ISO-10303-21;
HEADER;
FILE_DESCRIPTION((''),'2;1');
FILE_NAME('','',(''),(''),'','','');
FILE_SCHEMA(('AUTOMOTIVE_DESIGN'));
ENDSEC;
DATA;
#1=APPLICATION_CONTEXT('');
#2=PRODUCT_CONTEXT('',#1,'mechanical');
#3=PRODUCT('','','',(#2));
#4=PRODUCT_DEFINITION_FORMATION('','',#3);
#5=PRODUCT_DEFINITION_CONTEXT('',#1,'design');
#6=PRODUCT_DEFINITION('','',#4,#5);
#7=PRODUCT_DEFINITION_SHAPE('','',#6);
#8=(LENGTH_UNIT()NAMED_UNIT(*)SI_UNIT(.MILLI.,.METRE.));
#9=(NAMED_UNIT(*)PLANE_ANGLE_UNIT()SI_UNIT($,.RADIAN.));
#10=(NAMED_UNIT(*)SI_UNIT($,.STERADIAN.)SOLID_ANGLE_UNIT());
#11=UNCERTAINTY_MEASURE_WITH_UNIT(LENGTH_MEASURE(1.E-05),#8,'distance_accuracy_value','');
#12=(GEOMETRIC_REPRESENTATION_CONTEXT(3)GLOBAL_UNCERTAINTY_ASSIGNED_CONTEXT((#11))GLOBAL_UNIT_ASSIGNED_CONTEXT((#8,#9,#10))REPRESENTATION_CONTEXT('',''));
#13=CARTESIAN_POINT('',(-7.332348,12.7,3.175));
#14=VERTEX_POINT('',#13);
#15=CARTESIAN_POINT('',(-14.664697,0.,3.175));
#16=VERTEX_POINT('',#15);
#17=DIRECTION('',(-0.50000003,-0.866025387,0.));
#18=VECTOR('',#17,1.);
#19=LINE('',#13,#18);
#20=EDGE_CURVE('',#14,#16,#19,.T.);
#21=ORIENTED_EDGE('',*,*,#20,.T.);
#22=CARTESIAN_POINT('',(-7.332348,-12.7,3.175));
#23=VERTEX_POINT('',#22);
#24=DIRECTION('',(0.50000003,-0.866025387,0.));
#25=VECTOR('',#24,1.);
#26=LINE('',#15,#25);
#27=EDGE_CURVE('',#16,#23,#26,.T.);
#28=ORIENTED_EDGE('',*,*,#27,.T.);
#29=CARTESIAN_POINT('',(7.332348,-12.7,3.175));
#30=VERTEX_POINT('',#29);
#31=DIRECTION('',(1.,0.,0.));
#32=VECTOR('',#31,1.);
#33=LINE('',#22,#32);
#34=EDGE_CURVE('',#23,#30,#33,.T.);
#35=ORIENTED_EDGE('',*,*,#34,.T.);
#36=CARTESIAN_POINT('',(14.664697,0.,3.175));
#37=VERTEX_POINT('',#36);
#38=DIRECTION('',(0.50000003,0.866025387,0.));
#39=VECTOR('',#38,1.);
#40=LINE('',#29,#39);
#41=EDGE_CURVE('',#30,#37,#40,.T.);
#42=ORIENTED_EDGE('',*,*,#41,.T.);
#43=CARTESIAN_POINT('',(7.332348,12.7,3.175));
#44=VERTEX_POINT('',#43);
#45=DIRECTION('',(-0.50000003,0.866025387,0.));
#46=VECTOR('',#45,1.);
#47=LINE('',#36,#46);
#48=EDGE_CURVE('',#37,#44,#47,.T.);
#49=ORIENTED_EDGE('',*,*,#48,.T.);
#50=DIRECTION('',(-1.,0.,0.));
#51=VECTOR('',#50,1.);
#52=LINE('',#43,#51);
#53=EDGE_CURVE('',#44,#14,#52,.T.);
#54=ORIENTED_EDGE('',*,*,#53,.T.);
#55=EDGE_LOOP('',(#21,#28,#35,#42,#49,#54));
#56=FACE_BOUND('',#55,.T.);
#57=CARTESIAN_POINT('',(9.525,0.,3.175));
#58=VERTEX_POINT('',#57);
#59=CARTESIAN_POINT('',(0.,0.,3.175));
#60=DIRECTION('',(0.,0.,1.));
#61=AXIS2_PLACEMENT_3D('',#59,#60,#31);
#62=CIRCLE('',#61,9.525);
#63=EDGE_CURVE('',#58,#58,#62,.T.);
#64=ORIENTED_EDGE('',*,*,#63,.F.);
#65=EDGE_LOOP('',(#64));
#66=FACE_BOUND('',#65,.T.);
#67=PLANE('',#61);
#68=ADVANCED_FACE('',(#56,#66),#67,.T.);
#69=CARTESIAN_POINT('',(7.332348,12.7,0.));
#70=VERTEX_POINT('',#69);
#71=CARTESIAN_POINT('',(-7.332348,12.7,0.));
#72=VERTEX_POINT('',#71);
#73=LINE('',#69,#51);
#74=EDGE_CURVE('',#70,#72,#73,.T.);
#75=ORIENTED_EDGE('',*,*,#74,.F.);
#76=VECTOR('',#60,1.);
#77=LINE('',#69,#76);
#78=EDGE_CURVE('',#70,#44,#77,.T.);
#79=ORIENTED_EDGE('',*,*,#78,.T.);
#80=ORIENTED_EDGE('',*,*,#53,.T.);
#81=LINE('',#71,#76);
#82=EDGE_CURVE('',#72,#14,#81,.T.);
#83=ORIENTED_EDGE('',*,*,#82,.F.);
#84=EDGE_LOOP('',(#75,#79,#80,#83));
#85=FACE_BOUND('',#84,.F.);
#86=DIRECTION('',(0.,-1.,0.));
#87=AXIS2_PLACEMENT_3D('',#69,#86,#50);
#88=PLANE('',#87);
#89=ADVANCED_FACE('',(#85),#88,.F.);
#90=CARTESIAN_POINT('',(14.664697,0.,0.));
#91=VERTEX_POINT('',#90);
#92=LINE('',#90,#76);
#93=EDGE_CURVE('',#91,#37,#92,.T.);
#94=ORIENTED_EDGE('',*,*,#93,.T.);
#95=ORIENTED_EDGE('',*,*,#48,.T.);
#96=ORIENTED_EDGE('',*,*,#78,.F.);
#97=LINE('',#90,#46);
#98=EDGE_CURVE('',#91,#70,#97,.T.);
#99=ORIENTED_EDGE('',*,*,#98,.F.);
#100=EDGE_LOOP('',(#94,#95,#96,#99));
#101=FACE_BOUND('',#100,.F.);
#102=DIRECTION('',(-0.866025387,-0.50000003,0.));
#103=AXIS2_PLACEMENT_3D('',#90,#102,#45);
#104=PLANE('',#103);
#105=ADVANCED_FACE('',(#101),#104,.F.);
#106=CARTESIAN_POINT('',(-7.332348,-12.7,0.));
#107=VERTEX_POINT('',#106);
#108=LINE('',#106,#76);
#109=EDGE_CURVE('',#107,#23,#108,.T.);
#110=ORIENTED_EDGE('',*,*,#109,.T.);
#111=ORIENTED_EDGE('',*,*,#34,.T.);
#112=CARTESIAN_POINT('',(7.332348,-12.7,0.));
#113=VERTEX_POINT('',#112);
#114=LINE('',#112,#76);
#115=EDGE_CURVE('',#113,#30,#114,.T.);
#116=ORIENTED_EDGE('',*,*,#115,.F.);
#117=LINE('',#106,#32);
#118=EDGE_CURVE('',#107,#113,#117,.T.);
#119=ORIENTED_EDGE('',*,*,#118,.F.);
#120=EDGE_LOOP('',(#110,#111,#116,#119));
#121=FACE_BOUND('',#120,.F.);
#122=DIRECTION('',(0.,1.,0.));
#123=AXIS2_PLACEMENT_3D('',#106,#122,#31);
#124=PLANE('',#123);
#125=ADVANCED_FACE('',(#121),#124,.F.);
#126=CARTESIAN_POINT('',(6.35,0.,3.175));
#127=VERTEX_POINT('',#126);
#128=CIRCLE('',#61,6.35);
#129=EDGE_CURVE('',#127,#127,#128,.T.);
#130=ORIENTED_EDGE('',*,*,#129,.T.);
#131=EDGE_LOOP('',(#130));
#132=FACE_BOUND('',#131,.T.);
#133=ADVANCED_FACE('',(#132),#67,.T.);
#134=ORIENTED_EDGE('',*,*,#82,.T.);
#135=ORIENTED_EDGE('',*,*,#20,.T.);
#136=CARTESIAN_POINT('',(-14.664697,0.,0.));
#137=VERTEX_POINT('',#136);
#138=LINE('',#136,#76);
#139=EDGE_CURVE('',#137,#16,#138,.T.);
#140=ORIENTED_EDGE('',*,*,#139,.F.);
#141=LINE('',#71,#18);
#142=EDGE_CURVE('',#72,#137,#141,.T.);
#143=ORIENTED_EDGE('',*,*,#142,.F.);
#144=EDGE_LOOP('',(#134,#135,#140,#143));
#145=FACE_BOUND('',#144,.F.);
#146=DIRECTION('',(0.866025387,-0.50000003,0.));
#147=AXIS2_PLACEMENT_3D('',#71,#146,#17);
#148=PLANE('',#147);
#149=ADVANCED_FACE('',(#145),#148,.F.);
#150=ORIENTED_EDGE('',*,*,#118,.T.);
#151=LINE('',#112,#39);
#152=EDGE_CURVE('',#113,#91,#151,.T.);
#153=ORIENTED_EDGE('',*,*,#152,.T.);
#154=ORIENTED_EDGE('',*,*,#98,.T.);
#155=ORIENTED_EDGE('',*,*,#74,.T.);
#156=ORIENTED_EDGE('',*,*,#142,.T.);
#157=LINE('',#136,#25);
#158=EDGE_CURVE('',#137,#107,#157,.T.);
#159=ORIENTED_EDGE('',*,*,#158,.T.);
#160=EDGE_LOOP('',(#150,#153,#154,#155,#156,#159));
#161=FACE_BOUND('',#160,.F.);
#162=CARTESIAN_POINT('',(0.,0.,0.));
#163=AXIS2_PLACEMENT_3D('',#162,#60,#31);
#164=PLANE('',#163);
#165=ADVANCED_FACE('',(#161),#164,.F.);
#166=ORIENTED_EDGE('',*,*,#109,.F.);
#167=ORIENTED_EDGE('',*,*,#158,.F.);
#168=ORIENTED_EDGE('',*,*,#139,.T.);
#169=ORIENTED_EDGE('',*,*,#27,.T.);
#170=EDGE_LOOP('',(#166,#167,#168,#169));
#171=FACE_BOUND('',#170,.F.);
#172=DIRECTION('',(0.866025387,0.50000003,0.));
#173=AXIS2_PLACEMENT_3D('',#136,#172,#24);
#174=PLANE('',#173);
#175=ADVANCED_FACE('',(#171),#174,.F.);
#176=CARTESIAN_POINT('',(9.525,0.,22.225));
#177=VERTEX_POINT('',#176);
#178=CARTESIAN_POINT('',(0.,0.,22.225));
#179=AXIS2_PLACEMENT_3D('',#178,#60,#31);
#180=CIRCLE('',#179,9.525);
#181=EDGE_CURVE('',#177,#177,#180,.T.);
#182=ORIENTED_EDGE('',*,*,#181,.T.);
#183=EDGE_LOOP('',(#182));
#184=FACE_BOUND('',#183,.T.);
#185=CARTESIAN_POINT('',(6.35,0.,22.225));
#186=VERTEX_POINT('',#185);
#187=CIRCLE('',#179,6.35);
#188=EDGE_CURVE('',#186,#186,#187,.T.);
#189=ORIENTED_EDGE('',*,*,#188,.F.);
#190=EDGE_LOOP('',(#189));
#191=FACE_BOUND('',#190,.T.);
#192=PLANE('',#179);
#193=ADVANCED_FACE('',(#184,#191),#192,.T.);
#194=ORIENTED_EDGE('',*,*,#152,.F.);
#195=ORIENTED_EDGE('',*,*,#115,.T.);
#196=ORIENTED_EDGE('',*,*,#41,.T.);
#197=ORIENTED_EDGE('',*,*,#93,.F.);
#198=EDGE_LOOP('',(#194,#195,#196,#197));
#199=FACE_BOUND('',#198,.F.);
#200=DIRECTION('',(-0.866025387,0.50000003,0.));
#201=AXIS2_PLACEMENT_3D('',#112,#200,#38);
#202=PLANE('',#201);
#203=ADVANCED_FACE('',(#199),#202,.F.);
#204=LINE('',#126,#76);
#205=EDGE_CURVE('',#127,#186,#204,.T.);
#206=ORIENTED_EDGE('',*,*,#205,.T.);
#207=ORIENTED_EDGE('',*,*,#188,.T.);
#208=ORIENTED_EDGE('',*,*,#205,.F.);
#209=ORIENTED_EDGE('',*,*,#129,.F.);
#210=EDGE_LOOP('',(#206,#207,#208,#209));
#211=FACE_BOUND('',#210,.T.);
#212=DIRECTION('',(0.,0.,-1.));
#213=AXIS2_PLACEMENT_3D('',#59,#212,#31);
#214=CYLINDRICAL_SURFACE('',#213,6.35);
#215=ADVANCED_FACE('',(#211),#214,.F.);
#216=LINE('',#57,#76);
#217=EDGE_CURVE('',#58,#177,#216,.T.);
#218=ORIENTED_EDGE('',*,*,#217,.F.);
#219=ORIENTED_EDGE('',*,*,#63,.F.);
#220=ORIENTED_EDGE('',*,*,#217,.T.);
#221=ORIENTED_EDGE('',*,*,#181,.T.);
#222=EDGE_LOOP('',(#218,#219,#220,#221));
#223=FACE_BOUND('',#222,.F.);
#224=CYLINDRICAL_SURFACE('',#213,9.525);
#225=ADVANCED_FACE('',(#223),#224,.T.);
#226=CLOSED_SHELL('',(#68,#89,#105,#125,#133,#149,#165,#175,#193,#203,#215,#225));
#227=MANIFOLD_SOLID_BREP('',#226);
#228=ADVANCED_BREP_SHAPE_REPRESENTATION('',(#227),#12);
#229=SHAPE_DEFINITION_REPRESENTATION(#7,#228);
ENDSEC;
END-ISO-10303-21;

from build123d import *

# Parameters (mm, degrees)
F1_DEPTH = 3.175
F2_R     = 9.525
F2_R_2   = 6.35
F3_DEPTH = 19.05


with BuildPart() as f1:
    # F0 (on Top) → F1 (new body)
    with BuildSketch(Plane.XY):
        Polygon((-7.332348, -12.7), (7.332348, -12.7), (14.664697, 0), (7.332348, 12.7), (-7.332348, 12.7), (-14.664697, 0), align=None)
    extrude(amount=F1_DEPTH)

    # F2 (on face) → F3 (join)
    with BuildSketch(Plane.XY.offset(3.175)):
        Circle(F2_R)
        Circle(F2_R_2, mode=Mode.SUBTRACT)
    extrude(amount=F3_DEPTH)


solid = f1.part
